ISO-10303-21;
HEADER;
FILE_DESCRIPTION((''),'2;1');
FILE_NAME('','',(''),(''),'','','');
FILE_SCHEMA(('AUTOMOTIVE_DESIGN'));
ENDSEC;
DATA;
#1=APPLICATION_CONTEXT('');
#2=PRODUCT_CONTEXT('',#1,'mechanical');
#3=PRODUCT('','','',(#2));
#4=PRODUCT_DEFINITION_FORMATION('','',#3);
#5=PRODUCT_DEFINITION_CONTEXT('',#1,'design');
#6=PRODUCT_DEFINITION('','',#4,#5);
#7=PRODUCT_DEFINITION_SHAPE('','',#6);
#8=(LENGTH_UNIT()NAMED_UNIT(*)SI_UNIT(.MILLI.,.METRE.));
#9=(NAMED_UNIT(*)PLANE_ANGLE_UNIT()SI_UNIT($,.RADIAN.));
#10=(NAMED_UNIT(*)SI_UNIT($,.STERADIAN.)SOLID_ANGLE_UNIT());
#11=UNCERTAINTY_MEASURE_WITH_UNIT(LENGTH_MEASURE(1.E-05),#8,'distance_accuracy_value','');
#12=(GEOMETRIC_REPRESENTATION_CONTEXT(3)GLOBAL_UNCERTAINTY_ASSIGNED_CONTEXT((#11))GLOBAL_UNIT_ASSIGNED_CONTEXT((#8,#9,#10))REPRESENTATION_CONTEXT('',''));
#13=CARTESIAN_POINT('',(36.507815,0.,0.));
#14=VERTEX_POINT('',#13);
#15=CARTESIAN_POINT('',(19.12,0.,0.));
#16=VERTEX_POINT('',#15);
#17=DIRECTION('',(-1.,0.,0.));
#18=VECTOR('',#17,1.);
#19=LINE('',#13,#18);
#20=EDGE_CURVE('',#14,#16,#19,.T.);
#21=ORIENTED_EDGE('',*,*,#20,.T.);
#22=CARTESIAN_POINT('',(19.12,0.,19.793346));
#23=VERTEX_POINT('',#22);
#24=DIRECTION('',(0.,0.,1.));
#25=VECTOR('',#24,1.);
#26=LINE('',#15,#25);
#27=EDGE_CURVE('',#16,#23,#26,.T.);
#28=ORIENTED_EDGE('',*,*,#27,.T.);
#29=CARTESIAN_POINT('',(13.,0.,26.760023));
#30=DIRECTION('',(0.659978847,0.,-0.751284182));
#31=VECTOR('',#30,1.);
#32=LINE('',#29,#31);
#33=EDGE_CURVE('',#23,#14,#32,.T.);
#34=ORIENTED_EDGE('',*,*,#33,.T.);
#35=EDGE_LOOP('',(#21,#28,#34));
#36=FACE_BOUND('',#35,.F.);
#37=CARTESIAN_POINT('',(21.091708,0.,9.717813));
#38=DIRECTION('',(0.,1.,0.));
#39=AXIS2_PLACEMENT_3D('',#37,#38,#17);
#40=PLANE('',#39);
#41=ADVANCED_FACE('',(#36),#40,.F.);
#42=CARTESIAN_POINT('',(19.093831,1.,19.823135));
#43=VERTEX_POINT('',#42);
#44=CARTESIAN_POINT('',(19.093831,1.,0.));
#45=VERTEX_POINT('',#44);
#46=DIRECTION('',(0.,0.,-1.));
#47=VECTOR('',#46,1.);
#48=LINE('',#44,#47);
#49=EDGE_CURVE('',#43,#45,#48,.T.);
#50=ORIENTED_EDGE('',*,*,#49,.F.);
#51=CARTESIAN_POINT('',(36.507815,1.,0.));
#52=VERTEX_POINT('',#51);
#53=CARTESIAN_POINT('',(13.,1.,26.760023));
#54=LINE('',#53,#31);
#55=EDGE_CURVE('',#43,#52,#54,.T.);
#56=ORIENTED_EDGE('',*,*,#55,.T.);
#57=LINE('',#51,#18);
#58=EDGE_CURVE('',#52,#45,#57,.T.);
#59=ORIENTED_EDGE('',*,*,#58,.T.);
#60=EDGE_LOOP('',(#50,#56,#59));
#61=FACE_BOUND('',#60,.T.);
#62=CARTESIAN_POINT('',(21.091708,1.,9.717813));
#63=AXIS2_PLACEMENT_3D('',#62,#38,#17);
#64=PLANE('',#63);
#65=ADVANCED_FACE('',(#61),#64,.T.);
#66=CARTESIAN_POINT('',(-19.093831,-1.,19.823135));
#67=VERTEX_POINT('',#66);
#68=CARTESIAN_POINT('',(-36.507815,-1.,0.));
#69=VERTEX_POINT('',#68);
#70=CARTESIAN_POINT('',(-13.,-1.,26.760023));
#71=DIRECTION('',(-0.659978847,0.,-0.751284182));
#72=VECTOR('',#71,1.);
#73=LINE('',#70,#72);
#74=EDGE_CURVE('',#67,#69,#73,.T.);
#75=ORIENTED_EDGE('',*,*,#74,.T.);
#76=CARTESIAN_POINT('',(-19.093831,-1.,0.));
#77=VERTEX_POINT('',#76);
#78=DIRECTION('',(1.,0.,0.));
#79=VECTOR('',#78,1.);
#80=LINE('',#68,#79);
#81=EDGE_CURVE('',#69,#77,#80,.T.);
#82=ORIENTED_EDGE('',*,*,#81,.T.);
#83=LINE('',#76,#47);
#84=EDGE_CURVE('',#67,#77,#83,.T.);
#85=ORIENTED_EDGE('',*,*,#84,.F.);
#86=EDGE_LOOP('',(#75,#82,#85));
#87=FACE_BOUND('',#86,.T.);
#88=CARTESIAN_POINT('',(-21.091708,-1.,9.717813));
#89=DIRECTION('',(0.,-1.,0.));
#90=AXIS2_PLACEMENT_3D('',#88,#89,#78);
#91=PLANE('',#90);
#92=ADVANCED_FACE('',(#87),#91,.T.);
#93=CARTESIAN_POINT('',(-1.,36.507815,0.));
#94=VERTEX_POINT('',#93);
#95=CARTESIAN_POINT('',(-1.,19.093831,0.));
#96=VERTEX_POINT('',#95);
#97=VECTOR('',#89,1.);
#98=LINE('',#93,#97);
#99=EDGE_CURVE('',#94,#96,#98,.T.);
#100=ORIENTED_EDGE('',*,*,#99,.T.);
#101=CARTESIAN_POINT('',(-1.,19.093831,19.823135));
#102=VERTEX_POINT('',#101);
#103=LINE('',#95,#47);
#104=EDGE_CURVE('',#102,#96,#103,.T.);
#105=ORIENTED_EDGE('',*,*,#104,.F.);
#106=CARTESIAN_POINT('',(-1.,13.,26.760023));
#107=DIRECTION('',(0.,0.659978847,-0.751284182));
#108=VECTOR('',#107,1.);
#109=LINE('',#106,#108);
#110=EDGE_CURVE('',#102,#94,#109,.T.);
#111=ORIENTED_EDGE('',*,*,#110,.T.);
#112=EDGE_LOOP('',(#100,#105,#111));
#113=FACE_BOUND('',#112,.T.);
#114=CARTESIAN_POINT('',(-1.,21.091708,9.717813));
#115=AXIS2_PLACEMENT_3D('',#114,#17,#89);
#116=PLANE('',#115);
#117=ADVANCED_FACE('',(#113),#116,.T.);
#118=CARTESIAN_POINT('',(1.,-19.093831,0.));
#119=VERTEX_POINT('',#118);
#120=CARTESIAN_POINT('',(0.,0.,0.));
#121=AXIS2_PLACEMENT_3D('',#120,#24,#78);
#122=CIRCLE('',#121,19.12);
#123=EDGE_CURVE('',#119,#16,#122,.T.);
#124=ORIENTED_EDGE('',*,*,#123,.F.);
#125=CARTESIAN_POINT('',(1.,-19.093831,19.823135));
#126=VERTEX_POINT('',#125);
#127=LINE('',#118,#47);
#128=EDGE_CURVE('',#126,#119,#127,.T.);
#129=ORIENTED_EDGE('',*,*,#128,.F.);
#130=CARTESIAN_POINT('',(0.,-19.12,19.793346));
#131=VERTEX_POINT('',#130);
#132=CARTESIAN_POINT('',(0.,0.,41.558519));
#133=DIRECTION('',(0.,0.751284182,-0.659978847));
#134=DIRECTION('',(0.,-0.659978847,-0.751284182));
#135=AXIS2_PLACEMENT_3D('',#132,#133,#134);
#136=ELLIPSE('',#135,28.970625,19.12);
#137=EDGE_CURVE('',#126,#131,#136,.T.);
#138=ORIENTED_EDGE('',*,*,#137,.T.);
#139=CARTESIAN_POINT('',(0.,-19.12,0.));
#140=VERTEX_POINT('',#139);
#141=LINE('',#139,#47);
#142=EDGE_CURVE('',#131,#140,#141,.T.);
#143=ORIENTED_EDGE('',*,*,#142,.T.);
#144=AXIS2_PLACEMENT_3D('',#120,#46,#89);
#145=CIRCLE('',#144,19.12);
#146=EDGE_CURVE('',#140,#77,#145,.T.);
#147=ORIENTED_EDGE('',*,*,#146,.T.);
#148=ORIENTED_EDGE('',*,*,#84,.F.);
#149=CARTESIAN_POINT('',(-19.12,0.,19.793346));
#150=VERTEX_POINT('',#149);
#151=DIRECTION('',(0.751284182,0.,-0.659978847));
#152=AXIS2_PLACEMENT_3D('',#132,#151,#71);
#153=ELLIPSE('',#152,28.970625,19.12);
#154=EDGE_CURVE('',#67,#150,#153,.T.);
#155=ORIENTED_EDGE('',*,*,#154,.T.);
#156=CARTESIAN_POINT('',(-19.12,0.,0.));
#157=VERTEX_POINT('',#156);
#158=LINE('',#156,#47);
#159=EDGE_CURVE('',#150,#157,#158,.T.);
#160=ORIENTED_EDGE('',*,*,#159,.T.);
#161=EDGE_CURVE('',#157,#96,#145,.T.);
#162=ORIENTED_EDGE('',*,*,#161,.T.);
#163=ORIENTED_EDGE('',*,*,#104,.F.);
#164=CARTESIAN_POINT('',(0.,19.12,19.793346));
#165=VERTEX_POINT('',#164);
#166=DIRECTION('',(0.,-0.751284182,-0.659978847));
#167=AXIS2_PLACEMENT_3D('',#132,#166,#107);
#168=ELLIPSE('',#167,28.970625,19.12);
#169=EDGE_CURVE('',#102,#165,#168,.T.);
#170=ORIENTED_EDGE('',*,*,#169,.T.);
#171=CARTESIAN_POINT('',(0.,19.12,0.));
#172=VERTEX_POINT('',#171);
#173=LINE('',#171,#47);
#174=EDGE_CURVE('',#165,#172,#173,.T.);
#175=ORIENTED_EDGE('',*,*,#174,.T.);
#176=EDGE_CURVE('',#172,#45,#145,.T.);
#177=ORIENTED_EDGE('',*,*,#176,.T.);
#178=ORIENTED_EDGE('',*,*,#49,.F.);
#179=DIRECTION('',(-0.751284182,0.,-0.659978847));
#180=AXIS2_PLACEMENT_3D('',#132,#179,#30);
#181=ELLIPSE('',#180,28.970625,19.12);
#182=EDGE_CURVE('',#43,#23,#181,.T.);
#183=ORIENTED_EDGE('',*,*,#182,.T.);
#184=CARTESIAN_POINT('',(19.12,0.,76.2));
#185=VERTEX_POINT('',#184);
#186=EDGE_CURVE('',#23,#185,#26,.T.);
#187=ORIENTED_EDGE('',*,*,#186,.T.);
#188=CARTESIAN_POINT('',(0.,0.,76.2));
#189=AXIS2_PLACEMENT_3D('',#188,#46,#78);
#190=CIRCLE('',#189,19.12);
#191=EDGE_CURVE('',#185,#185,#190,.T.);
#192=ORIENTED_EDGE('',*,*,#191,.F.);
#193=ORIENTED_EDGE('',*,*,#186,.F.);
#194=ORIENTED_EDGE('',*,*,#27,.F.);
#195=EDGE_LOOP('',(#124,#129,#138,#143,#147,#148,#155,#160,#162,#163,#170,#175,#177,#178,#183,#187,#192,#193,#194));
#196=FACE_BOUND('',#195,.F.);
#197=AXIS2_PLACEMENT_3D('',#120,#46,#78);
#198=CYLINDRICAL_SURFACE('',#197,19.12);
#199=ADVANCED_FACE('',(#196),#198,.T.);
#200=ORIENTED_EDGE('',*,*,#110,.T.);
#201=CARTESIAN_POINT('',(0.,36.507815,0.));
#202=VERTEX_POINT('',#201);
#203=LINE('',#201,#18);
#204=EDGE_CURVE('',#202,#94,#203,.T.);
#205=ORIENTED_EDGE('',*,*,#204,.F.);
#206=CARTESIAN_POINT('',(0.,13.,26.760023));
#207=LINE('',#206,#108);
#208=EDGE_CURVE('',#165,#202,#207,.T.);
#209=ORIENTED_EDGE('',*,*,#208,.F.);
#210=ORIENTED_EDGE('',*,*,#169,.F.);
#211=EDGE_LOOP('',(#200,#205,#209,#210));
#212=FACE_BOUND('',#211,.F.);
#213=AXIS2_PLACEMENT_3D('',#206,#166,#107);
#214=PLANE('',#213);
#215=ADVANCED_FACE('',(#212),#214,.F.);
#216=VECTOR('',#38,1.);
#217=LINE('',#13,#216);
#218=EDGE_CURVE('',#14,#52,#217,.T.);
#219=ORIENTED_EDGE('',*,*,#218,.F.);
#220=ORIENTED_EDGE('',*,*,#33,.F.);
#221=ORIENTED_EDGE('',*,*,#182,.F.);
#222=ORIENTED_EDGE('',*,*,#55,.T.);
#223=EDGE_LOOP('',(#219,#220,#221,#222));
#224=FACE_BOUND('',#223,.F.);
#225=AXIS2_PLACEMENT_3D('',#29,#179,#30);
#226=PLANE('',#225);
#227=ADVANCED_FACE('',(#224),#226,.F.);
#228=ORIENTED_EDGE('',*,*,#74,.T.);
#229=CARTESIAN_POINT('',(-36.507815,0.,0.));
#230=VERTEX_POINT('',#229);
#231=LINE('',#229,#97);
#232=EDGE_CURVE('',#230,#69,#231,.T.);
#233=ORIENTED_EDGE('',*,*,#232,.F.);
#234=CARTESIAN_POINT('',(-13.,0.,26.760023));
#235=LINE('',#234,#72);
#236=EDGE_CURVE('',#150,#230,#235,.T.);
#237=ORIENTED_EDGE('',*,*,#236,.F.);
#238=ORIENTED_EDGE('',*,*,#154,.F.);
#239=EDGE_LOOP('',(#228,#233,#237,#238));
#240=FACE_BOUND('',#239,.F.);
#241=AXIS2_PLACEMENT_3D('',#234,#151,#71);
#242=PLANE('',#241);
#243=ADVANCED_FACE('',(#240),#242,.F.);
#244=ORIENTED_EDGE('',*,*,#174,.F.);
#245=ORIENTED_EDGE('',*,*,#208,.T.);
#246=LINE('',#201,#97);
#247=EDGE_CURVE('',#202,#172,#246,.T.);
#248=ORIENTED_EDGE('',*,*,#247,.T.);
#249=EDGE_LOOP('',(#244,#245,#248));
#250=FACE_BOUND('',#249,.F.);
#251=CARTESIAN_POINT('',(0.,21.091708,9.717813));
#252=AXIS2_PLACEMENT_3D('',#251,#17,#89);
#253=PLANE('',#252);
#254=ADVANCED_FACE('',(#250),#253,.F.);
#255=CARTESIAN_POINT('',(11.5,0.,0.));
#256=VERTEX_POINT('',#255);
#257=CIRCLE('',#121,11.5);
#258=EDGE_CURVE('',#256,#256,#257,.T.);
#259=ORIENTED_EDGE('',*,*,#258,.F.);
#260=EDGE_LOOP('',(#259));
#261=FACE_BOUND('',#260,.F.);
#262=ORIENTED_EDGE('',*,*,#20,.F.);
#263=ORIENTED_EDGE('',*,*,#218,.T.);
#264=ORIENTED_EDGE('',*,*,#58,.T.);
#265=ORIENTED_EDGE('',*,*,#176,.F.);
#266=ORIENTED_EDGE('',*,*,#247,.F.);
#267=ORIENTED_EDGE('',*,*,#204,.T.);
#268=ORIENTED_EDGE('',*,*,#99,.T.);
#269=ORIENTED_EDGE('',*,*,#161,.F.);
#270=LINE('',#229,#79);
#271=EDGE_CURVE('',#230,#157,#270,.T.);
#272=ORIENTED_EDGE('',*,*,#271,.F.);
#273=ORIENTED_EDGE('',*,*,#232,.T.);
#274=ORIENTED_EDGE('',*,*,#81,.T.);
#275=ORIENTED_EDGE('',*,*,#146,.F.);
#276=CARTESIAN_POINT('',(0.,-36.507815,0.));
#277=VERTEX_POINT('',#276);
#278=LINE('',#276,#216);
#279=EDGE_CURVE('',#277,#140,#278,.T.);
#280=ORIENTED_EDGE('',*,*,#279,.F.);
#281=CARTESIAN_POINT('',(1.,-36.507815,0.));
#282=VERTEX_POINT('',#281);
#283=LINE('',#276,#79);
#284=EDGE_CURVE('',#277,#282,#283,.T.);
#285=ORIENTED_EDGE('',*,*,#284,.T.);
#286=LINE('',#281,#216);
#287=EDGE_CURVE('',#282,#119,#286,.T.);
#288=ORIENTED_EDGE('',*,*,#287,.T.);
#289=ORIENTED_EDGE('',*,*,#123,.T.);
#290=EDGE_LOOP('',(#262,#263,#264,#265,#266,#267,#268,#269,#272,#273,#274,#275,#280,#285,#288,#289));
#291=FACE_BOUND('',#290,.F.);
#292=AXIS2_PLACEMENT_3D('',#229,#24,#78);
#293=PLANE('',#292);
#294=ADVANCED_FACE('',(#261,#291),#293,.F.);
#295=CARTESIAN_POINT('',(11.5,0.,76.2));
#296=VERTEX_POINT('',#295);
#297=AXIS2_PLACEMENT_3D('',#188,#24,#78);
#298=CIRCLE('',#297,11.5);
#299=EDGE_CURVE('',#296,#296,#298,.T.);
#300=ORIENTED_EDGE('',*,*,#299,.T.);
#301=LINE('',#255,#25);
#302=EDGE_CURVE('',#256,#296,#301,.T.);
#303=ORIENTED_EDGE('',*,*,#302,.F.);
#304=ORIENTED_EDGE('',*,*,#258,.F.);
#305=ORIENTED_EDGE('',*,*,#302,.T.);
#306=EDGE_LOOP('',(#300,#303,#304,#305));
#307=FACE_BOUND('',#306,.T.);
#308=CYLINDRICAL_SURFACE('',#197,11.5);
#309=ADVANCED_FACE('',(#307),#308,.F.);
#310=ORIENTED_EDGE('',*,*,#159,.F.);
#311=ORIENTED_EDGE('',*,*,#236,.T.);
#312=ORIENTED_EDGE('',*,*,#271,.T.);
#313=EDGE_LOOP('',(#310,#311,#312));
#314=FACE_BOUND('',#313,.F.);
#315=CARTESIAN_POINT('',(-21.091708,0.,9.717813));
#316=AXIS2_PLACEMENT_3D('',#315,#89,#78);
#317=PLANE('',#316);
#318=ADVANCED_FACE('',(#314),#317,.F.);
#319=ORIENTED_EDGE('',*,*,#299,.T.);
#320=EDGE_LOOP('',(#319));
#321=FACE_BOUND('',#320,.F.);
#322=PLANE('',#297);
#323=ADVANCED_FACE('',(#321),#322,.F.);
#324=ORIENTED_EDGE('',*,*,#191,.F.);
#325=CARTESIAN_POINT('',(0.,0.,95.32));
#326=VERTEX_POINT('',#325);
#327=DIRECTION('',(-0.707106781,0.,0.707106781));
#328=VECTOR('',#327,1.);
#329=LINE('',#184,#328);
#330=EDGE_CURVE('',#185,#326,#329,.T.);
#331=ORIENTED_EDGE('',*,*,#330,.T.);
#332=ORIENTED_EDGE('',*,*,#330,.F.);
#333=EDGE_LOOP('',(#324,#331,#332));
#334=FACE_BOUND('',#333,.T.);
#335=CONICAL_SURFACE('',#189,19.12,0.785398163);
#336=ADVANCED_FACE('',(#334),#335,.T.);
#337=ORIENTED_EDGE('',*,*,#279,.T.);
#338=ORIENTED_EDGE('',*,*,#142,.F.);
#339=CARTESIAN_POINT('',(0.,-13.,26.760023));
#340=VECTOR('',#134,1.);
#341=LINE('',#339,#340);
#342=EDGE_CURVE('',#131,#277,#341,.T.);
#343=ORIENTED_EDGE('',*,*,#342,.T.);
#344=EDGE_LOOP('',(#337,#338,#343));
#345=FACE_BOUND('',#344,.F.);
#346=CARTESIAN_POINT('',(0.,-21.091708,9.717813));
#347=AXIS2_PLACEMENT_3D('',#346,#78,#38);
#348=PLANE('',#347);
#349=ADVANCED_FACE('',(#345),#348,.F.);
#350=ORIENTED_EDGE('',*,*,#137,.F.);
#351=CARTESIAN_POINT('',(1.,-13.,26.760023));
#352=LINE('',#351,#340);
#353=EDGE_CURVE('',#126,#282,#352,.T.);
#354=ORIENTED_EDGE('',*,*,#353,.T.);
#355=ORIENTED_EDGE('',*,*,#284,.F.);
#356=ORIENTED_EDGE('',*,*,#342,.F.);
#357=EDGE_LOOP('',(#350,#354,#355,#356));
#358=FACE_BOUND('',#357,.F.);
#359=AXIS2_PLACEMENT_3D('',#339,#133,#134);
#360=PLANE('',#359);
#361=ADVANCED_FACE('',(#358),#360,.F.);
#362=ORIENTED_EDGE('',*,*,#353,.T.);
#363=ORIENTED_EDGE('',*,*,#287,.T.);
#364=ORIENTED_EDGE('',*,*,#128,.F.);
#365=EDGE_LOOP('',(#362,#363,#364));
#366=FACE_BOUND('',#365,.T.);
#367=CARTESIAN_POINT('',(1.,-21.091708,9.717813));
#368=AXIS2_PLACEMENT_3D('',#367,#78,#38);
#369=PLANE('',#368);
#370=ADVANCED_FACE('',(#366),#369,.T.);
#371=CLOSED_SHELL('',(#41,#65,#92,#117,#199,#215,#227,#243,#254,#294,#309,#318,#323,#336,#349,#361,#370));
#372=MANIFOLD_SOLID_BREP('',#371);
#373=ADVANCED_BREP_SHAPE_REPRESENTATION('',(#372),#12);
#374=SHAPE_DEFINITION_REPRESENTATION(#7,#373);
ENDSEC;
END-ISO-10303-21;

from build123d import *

# Parameters (mm, degrees)
F0_R     = 19.12
F0_R_2   = 11.5
F1_DEPTH = 76.2
F2_R     = 19.12
F3_DEPTH = 50.8
F3_TAPER = 45
F5_DEPTH = 1
F6_COUNT = 4


with BuildPart() as f1:
    # F0 (on Top) → F1 (new body)
    with BuildSketch(Plane.XY):
        Circle(F0_R)
        Circle(F0_R_2, mode=Mode.SUBTRACT)
    extrude(amount=F1_DEPTH)

    # F2 (on face) → F3 (join)
    with BuildSketch(Plane.XY.offset(76.2)):
        Circle(F2_R)
    extrude(amount=F3_DEPTH, taper=F3_TAPER)

    # F4 (on Right) → F5 (join)
    with BuildSketch(Plane.YZ):
        Polygon((-36.5078145027, 0), (-13, 0), (-13, 26.7600230816), align=None)
    extrude(amount=F5_DEPTH)

    # F6: F1 ×4 about axis
    f6_axis = Axis((0, 0, 0), (0, 0, 1))


with BuildPart() as f1_1:
    add(f1.part)
    for i in range(1, F6_COUNT):
        add(f1.part.rotate(f6_axis, i * 360 / F6_COUNT))


solid = f1_1.part
